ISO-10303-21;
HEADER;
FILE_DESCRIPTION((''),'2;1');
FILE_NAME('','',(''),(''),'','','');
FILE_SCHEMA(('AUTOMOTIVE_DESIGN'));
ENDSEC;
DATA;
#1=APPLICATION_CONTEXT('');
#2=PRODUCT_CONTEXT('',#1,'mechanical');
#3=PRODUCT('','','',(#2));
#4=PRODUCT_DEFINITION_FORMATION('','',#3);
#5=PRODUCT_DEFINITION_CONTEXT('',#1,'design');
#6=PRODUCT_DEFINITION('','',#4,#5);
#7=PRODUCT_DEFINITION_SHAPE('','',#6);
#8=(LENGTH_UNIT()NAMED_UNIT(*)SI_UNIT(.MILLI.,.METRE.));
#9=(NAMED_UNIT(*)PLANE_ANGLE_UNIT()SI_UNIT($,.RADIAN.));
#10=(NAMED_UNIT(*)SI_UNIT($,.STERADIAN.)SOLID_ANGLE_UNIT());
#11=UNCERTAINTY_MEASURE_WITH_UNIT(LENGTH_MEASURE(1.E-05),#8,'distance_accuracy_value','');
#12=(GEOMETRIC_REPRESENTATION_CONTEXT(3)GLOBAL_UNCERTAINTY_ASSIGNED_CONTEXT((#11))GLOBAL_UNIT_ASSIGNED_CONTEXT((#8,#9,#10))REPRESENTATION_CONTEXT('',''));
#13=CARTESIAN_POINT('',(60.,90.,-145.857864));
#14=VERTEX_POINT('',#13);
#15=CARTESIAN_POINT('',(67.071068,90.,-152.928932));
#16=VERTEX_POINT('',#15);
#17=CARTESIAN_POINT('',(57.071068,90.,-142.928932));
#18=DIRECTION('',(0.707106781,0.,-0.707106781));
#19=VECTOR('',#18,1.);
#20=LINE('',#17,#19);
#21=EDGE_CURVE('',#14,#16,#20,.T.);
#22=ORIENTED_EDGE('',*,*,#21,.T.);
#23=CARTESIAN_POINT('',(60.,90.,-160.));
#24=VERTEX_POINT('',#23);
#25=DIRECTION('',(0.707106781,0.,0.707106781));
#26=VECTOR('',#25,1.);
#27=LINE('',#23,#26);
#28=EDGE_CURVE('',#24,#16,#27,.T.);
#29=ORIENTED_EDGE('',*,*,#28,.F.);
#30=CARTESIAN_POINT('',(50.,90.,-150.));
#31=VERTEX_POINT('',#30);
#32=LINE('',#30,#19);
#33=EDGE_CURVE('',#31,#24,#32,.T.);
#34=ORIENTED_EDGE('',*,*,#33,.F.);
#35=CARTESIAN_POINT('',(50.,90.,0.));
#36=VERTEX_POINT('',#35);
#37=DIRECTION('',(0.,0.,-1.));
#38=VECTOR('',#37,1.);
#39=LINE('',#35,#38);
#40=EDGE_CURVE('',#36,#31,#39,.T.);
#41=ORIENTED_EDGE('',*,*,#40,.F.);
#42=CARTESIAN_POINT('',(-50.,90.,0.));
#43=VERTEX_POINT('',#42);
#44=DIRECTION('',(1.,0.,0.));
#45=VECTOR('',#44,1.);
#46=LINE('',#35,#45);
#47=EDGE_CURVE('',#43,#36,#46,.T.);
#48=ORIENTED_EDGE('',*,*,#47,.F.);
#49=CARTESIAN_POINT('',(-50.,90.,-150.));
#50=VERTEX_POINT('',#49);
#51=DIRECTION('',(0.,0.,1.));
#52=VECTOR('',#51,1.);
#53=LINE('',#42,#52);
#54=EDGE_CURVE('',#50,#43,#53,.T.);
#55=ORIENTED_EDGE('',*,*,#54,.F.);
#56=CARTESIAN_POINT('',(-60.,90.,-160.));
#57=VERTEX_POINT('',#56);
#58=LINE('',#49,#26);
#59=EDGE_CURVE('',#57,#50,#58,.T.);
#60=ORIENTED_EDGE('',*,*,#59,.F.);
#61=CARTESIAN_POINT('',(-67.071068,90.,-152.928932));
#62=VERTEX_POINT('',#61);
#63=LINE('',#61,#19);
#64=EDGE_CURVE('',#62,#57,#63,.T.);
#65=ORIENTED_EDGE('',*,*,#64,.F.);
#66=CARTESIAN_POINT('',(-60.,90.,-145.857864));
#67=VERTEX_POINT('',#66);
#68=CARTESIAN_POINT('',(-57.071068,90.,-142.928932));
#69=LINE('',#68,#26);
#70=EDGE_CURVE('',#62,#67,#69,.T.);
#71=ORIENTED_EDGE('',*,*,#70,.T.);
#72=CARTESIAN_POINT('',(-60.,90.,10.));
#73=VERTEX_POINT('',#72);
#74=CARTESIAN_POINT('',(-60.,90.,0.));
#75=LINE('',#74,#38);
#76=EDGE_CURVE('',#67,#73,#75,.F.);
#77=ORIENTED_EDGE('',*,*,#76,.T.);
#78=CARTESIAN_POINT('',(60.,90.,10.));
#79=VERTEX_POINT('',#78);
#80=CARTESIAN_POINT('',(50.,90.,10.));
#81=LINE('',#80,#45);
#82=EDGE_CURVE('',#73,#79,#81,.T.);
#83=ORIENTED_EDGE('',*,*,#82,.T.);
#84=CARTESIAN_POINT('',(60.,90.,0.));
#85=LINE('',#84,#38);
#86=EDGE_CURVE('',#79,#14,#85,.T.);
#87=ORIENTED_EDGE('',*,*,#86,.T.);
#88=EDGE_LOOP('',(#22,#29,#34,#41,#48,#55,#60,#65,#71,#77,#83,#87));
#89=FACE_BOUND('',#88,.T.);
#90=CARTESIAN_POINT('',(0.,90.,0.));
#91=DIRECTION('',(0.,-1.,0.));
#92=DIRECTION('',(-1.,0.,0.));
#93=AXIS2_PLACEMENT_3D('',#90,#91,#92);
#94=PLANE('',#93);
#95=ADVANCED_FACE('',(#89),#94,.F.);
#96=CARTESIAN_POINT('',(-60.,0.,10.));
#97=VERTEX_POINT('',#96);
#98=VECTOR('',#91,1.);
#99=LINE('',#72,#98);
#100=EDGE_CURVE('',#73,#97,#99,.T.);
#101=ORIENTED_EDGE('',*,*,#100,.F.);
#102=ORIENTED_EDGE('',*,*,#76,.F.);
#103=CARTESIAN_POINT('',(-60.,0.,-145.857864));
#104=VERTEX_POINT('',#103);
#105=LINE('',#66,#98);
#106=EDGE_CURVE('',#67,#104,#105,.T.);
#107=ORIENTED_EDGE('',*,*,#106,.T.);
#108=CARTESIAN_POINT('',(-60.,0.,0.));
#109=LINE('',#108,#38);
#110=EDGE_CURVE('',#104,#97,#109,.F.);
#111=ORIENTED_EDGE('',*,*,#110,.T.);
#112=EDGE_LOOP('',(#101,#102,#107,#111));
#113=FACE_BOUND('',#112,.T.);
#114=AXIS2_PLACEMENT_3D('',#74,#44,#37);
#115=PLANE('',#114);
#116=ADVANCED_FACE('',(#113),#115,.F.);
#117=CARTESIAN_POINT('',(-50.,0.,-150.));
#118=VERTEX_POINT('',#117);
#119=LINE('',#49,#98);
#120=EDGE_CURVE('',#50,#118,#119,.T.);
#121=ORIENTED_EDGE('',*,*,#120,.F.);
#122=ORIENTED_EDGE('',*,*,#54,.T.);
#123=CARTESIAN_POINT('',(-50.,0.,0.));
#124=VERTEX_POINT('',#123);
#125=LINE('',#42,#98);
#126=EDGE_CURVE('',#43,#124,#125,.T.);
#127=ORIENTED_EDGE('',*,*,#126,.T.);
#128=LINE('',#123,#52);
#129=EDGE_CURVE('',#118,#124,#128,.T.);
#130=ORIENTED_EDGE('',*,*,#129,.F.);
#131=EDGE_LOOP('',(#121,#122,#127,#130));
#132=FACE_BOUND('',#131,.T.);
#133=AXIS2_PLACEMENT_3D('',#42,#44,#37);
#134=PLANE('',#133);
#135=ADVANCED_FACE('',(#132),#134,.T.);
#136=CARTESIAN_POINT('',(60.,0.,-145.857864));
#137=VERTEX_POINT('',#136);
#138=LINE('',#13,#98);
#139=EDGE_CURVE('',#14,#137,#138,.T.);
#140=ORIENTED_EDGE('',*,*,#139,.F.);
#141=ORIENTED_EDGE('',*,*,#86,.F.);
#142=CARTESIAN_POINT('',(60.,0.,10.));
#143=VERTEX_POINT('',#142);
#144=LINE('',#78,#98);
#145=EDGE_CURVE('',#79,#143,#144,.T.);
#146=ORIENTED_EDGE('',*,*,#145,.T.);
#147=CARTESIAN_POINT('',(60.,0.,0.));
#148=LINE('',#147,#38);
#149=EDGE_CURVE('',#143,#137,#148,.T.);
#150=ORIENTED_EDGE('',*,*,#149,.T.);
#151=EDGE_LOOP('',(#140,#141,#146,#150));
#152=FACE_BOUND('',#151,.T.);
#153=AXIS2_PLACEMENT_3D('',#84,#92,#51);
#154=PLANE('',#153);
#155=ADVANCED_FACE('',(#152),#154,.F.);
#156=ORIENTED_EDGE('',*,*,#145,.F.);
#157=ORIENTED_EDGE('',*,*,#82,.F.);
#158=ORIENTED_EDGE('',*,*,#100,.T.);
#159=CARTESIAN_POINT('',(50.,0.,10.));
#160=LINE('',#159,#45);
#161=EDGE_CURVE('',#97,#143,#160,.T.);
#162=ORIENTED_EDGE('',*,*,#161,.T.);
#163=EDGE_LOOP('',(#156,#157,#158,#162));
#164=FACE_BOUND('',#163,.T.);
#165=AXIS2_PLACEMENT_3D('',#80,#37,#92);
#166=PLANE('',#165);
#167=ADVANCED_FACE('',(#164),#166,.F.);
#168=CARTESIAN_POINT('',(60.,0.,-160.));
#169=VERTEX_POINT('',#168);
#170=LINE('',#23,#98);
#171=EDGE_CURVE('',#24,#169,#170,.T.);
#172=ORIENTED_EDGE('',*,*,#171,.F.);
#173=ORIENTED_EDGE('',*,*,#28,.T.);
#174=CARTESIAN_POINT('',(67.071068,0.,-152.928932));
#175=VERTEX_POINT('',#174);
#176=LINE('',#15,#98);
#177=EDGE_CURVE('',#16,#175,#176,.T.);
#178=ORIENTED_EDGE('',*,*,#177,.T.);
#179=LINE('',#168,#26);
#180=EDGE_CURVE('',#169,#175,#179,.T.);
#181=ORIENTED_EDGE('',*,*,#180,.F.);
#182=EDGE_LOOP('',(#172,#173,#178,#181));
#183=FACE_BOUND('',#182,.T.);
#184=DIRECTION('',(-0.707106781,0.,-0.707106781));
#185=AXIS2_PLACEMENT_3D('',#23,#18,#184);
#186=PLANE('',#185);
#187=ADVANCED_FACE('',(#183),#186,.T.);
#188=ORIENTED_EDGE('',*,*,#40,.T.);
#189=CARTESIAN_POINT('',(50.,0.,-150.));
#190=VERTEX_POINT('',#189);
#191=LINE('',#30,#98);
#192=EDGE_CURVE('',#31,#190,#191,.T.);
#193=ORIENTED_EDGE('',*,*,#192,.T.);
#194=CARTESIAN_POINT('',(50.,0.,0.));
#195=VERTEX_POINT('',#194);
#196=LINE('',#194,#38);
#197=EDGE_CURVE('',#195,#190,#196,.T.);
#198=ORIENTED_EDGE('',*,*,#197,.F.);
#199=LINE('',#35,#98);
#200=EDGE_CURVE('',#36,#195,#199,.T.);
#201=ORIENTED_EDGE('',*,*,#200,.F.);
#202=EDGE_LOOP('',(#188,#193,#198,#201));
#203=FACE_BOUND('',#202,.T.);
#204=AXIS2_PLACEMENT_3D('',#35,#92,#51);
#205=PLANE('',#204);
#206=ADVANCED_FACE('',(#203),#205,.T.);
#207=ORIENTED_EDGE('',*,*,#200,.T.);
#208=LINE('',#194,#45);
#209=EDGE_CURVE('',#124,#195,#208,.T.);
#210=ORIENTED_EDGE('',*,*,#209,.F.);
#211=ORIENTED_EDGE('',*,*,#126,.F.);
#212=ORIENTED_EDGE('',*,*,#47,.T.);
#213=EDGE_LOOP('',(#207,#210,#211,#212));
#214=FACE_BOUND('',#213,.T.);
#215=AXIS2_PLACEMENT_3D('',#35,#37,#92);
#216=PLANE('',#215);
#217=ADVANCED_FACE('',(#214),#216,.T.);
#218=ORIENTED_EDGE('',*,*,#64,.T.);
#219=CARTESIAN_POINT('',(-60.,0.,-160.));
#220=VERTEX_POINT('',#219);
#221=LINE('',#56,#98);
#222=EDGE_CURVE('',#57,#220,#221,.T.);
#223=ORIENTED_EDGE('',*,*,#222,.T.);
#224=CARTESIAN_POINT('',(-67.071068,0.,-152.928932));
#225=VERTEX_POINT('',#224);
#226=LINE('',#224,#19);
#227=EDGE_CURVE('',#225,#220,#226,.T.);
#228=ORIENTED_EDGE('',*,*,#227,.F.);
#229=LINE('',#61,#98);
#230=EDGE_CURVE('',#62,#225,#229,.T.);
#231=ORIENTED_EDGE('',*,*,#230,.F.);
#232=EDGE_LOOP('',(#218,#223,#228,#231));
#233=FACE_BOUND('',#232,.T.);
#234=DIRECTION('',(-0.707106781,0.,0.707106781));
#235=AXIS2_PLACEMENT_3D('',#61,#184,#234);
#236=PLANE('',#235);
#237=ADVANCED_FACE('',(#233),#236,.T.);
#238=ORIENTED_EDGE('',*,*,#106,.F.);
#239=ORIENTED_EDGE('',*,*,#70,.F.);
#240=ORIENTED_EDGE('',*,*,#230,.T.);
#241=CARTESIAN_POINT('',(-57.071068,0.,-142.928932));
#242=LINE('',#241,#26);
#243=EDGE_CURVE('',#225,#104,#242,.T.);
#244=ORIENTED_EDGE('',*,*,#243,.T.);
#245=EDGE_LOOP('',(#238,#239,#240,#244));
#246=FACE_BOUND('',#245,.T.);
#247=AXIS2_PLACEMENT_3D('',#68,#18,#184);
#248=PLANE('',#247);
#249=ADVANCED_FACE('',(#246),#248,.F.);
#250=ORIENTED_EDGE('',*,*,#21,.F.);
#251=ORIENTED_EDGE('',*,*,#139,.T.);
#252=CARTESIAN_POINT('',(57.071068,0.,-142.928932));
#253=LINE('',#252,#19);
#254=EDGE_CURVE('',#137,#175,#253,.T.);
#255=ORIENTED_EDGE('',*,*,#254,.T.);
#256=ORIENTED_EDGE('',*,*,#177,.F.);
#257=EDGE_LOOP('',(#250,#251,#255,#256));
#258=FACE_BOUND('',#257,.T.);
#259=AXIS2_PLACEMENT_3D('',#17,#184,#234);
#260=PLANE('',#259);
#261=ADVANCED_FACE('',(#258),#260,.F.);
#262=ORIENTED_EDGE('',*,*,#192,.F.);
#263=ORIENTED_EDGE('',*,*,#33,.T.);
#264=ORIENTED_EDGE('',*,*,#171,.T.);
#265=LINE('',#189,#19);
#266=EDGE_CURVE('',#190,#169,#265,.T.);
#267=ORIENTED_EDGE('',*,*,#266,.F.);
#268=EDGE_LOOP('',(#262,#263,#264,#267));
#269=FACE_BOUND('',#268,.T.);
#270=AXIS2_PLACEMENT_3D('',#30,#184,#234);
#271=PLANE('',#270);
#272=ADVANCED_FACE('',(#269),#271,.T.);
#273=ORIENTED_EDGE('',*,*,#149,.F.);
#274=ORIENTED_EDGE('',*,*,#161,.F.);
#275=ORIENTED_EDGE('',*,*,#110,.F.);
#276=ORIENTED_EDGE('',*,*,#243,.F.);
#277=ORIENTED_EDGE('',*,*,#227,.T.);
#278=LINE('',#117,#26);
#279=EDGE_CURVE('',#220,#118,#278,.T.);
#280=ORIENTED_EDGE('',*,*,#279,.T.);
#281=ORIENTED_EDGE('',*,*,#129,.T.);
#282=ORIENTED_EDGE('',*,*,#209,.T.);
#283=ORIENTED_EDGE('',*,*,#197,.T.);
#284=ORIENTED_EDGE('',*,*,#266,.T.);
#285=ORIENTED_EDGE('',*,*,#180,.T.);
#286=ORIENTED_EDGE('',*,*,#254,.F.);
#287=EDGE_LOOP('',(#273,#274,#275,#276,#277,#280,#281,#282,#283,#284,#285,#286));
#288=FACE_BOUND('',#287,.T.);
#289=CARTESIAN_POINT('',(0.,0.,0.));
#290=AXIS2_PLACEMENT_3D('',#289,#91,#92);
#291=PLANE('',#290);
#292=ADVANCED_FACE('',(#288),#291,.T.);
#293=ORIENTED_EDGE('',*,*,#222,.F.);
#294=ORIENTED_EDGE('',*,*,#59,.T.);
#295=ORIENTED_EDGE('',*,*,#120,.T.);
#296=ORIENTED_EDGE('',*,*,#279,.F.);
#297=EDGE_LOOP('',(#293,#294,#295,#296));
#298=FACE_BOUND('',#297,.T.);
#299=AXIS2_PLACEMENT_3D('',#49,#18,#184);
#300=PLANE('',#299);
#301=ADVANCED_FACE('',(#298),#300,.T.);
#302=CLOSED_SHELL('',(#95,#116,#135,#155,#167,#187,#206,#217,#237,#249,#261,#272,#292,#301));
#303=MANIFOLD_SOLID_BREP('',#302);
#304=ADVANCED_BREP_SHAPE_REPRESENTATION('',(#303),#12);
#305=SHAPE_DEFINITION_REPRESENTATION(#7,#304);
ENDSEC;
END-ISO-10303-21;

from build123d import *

# Parameters (mm, degrees)
VYSUNOUT_TENKOST_NN_1_DEPTH = 90


with BuildPart() as part:
    # Skica78 → Vysunout tenkostěnný1 (new body)
    with BuildSketch(Plane(origin=(0, 0, 0), x_dir=(1, 0, 0), z_dir=(0, 1, 0))):
        Polygon((60, 160), (50, 150), (50, 0), (-50, 0), (-50, 150), (-60, 160), (-67.071067812, 152.928932188), (-60, 145.857864376), (-60, -10), (60, -10), (60, 145.857864376), (67.071067812, 152.928932188), align=None)
    extrude(amount=VYSUNOUT_TENKOST_NN_1_DEPTH)


solid = part.part
